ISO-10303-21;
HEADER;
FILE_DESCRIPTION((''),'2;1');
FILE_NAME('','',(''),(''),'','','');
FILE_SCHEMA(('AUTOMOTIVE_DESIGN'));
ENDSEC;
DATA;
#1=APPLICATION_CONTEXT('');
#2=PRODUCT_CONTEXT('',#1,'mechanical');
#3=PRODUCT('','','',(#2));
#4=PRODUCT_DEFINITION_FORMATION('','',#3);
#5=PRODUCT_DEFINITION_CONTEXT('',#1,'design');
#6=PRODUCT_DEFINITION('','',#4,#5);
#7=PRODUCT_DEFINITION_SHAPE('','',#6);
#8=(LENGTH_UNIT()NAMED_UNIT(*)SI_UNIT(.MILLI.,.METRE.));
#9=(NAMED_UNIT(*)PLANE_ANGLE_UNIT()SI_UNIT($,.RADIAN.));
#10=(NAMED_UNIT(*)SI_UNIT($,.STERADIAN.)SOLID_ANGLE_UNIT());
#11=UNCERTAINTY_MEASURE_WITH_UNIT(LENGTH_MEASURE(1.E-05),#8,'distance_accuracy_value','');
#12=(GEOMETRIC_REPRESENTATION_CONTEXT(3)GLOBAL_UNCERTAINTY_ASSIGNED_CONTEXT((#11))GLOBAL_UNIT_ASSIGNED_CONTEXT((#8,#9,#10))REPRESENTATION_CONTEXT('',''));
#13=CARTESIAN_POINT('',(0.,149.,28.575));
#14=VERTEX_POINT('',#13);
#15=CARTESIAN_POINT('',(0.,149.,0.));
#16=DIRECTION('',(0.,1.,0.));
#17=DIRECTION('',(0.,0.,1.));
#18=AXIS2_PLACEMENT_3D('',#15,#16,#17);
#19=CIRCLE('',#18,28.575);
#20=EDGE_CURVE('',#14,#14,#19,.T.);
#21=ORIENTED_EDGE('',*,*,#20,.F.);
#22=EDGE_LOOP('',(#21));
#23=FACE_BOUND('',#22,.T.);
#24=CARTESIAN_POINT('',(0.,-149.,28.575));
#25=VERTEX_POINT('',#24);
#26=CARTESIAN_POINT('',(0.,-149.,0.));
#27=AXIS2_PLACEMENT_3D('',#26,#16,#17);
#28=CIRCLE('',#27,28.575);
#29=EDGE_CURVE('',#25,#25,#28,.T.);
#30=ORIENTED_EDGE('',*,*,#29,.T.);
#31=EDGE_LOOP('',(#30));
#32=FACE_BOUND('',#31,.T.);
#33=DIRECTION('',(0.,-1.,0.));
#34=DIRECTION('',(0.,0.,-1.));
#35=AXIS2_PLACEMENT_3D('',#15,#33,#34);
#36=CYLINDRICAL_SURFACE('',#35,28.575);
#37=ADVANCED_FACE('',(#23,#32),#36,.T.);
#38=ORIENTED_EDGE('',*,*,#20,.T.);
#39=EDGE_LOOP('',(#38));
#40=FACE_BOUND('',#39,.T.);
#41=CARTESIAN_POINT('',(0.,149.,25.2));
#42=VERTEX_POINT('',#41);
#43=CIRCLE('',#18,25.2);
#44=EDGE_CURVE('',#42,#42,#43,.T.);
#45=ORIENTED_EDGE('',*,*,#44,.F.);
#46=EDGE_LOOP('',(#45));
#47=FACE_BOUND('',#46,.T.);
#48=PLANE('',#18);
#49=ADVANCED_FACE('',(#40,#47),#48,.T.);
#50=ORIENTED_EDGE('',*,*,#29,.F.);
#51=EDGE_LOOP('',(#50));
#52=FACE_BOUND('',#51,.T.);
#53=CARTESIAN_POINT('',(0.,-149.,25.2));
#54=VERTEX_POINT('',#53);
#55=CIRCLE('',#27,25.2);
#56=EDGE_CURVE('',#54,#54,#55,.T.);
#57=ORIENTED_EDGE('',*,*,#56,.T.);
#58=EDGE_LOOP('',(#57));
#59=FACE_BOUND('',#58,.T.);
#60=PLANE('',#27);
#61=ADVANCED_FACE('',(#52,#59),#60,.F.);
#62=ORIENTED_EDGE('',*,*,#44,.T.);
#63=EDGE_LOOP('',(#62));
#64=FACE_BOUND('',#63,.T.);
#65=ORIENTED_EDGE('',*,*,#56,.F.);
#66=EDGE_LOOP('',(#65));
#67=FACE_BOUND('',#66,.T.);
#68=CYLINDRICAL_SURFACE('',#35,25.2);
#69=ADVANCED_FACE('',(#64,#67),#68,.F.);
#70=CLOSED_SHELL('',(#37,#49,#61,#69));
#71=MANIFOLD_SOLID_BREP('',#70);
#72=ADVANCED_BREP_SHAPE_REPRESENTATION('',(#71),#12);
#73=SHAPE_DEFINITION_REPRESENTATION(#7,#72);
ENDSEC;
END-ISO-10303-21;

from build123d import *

# Parameters (mm, degrees)
SKETCH1_R           = 28.575
SKETCH1_R_2         = 25.2
BOSS_EXTRUDE1_DEPTH = 149


with BuildPart() as part:
    # Sketch1 → Boss-Extrude1 (new body, symmetric)
    with BuildSketch(Plane(origin=(0, 0, 0), x_dir=(1, 0, 0), z_dir=(0, 1, 0))):
        Circle(SKETCH1_R)
        Circle(SKETCH1_R_2, mode=Mode.SUBTRACT)
    extrude(amount=BOSS_EXTRUDE1_DEPTH, both=True)


solid = part.part
